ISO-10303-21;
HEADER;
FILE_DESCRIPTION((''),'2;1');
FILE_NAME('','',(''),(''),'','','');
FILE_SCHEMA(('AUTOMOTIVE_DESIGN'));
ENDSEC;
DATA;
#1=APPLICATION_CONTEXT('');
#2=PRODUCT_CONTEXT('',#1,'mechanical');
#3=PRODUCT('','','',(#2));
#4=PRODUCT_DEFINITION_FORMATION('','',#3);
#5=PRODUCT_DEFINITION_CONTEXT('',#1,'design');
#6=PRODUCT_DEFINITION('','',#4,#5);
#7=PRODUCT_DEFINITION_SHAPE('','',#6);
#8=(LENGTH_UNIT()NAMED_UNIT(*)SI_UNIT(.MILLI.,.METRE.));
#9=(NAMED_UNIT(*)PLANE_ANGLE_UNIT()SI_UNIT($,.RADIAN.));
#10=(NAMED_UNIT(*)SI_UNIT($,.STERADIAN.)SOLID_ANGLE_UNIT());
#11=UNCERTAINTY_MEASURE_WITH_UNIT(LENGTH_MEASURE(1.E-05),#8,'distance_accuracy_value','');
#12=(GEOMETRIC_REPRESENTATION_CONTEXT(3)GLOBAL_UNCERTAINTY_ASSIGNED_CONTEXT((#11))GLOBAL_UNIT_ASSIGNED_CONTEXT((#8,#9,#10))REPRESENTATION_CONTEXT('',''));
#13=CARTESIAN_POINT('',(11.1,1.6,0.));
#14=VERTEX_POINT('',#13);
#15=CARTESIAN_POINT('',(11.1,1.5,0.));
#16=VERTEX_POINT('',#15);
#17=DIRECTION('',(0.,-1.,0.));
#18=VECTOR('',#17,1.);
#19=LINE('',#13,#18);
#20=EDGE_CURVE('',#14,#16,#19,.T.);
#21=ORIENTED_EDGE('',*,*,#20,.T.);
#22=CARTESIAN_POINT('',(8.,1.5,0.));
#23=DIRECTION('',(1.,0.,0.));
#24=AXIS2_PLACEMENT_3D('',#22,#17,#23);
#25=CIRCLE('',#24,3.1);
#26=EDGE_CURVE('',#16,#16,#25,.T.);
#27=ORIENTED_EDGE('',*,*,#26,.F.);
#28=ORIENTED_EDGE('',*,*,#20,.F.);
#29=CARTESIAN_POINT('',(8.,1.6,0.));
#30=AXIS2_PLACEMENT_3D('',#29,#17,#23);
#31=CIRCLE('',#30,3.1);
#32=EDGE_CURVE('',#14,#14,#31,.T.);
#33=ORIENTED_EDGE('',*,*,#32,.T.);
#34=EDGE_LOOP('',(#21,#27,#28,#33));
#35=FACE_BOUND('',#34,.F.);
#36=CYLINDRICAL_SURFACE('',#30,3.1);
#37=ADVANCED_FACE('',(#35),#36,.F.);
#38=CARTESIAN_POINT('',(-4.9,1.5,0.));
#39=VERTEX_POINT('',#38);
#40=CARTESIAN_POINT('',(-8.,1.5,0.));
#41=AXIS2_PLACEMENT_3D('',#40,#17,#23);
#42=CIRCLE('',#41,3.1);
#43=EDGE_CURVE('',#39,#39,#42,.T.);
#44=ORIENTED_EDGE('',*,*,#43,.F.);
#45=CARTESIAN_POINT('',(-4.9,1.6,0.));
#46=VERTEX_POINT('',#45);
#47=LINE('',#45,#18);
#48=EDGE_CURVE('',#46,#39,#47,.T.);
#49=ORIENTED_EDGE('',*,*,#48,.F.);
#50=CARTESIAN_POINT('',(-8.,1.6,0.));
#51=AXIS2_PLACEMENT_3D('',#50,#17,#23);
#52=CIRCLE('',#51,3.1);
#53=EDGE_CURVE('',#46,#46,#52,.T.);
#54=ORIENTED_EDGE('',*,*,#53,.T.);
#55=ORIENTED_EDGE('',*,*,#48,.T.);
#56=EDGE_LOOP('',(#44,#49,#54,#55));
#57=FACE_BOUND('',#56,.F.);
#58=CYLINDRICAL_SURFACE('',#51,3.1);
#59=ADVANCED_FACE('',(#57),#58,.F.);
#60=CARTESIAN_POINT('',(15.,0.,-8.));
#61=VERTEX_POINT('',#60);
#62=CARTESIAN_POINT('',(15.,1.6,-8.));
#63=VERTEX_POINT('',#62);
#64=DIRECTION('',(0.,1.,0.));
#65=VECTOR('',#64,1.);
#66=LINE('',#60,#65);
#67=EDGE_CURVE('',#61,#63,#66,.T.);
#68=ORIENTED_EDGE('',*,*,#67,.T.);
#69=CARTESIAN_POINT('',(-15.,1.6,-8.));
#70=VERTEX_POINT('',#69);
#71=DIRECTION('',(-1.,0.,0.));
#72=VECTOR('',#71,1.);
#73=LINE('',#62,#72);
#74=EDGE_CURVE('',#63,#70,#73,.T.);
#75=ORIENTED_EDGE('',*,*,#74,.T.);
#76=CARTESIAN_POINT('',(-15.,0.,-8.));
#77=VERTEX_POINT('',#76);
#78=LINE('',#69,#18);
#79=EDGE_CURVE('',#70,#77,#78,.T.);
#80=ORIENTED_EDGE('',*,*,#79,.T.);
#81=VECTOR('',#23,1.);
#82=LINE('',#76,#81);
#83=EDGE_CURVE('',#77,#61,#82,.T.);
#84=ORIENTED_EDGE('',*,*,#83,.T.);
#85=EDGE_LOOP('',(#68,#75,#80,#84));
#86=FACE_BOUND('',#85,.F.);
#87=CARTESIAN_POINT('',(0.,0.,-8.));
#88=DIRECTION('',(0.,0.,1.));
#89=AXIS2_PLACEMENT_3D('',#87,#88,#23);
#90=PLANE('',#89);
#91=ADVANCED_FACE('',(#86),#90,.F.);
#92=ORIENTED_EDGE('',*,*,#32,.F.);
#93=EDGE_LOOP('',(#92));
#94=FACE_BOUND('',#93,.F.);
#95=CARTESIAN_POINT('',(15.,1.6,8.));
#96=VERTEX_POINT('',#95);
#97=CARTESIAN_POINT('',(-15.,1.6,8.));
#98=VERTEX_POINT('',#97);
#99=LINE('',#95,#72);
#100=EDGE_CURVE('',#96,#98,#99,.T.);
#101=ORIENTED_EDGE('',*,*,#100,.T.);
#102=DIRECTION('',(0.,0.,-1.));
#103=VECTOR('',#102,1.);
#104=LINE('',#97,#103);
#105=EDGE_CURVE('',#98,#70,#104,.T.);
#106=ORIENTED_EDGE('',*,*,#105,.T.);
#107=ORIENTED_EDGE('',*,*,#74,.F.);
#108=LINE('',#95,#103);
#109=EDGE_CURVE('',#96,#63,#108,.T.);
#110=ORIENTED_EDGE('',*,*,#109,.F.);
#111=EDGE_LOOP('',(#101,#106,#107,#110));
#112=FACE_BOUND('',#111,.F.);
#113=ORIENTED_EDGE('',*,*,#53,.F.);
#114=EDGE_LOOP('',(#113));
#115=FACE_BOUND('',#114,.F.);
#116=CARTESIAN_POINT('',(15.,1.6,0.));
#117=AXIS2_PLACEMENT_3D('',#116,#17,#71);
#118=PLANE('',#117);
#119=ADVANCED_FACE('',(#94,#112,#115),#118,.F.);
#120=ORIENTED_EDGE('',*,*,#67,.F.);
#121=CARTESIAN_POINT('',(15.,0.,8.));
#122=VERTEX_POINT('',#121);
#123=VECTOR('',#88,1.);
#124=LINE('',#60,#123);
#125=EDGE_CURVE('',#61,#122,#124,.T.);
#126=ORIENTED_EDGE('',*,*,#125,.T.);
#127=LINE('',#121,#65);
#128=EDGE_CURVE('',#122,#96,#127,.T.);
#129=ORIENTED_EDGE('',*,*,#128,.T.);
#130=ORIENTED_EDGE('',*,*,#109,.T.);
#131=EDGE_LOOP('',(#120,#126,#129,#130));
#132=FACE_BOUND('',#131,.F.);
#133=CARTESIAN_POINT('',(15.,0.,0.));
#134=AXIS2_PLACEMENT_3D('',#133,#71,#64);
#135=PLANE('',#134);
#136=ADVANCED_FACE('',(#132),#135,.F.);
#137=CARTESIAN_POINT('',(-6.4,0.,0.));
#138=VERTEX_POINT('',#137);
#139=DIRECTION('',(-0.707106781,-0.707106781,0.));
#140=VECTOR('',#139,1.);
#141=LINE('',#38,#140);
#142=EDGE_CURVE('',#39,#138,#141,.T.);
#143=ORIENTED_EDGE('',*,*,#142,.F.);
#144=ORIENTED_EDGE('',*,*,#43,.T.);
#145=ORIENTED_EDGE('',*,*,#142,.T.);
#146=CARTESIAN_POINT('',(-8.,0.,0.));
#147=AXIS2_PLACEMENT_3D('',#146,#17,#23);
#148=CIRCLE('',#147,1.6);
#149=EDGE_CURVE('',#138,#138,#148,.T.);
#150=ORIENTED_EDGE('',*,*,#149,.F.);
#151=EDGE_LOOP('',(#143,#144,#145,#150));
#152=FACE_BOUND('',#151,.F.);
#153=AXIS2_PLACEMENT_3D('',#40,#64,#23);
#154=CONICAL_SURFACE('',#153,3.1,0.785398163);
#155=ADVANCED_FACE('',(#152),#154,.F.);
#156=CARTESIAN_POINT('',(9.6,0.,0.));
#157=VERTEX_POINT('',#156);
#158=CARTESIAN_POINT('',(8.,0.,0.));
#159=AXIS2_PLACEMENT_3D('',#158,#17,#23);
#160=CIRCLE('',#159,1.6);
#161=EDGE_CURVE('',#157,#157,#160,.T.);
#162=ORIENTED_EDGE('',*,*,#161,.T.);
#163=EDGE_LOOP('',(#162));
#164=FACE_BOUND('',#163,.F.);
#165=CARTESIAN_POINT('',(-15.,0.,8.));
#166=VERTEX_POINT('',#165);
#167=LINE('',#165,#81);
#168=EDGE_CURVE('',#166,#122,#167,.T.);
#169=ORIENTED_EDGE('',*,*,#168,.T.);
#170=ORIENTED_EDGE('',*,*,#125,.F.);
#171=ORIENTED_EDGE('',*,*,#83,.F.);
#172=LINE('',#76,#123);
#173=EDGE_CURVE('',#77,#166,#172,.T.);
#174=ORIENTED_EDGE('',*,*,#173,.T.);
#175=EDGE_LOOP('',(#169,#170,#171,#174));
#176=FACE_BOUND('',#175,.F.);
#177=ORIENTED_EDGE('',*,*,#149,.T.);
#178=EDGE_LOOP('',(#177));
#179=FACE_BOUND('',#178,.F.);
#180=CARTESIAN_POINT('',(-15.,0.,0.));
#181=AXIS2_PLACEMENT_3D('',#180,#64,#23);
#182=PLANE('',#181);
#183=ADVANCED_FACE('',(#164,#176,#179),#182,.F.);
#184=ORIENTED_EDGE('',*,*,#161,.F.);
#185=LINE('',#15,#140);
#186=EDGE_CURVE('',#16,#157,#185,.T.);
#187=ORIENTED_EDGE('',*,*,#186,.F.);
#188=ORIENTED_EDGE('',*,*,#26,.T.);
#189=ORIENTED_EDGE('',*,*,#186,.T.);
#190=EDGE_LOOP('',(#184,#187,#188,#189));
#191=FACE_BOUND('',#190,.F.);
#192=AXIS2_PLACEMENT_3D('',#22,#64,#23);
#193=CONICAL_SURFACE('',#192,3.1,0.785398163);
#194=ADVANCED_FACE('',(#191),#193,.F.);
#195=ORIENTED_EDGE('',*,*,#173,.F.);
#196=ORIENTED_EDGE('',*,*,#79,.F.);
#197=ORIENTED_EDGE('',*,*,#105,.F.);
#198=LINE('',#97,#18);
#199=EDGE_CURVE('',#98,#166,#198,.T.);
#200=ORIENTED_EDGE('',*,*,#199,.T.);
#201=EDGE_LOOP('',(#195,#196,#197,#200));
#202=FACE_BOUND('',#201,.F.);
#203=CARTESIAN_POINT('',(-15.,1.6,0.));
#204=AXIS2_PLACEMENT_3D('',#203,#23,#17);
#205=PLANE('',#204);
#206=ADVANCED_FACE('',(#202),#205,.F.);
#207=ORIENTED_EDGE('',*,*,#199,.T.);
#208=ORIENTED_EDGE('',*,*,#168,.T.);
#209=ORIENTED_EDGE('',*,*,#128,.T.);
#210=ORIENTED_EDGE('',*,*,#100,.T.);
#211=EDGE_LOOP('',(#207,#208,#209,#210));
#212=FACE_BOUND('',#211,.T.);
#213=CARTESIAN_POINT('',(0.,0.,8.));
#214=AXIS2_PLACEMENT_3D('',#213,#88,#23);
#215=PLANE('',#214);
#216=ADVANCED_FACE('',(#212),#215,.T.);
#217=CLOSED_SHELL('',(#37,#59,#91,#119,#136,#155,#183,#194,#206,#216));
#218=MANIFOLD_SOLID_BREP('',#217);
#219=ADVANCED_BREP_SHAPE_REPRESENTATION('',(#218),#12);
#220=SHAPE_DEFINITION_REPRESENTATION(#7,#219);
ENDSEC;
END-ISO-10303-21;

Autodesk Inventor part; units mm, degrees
sketch "Sketch_1" plane through (0, 0, 0) normal (0, 0, 1) x (1, 0, 0)
  line L0 (-15, 0) -> (15, 0)
  line L1 (15, 0) -> (15, 1.6)
  line L2 (15, 1.6) -> (-15, 1.6)
  line L3 (-15, 1.6) -> (-15, 0)
extrude "Extrusion1" add sketch "Sketch_1" along normal mid plane 16
sketch "Sketch_2" plane through (0, 0, 0) normal (0, 0, 1) x (1, 0, 0)
  line L0 (8, 0) -> (8, 1.6)
  line L1 (8, 1.6) -> (11.1, 1.6)
  line L2 (11.1, 1.6) -> (11.1, 1.5)
  line L3 (11.1, 1.5) -> (9.6, 0)
  line L4 (9.6, 0) -> (8, 0)
  line L5 (8, 0) -> (8, 1.6)
revolve "Revolution1" cut sketch "Sketch_2" angle 360 about axis through (8, 0, 0) along (0, -1, 0)
sketch "Sketch_3" plane through (0, 0, 0) normal (0, 0, 1) x (1, 0, 0)
  line L0 (-8, 0) -> (-8, 1.6)
  line L1 (-8, 1.6) -> (-4.9, 1.6)
  line L2 (-4.9, 1.6) -> (-4.9, 1.5)
  line L3 (-4.9, 1.5) -> (-6.4, 0)
  line L4 (-6.4, 0) -> (-8, 0)
  line L5 (-8, 0) -> (-8, 1.6)
revolve "Revolution2" cut sketch "Sketch_3" angle 360 about axis through (-8, 0, 0) along (0, -1, 0)
ref_plane "to_magnet_XY" through (0, 1.6, 0) normal (0, -1, 0) x (1, 0, 0)
ref_plane "to_magnet_YZ" through (0, 1.6, 0) normal (1, 0, 0) x (0, 0, 1)
ref_plane "to_magnet_ZX" through (0, 1.6, 0) normal (0, 0, 1) x (0, -1, 0)
ref_plane "to_bolt1_XY" through (-8, 0.1, 0) normal (0, 1, 0) x (1, 0, 0)
ref_plane "to_bolt1_YZ" through (-8, 0.1, 0) normal (1, 0, 0) x (0, 0, -1)
ref_plane "to_bolt1_ZX" through (-8, 0.1, 0) normal (0, 0, -1) x (0, 1, 0)
ref_plane "to_bolt2_XY" through (8, 0.1, 0) normal (0, 1, 0) x (1, 0, 0)
ref_plane "to_bolt2_YZ" through (8, 0.1, 0) normal (1, 0, 0) x (0, 0, -1)
ref_plane "to_bolt2_ZX" through (8, 0.1, 0) normal (0, 0, -1) x (0, 1, 0)
properties part number "MGCE1plate5-5"
